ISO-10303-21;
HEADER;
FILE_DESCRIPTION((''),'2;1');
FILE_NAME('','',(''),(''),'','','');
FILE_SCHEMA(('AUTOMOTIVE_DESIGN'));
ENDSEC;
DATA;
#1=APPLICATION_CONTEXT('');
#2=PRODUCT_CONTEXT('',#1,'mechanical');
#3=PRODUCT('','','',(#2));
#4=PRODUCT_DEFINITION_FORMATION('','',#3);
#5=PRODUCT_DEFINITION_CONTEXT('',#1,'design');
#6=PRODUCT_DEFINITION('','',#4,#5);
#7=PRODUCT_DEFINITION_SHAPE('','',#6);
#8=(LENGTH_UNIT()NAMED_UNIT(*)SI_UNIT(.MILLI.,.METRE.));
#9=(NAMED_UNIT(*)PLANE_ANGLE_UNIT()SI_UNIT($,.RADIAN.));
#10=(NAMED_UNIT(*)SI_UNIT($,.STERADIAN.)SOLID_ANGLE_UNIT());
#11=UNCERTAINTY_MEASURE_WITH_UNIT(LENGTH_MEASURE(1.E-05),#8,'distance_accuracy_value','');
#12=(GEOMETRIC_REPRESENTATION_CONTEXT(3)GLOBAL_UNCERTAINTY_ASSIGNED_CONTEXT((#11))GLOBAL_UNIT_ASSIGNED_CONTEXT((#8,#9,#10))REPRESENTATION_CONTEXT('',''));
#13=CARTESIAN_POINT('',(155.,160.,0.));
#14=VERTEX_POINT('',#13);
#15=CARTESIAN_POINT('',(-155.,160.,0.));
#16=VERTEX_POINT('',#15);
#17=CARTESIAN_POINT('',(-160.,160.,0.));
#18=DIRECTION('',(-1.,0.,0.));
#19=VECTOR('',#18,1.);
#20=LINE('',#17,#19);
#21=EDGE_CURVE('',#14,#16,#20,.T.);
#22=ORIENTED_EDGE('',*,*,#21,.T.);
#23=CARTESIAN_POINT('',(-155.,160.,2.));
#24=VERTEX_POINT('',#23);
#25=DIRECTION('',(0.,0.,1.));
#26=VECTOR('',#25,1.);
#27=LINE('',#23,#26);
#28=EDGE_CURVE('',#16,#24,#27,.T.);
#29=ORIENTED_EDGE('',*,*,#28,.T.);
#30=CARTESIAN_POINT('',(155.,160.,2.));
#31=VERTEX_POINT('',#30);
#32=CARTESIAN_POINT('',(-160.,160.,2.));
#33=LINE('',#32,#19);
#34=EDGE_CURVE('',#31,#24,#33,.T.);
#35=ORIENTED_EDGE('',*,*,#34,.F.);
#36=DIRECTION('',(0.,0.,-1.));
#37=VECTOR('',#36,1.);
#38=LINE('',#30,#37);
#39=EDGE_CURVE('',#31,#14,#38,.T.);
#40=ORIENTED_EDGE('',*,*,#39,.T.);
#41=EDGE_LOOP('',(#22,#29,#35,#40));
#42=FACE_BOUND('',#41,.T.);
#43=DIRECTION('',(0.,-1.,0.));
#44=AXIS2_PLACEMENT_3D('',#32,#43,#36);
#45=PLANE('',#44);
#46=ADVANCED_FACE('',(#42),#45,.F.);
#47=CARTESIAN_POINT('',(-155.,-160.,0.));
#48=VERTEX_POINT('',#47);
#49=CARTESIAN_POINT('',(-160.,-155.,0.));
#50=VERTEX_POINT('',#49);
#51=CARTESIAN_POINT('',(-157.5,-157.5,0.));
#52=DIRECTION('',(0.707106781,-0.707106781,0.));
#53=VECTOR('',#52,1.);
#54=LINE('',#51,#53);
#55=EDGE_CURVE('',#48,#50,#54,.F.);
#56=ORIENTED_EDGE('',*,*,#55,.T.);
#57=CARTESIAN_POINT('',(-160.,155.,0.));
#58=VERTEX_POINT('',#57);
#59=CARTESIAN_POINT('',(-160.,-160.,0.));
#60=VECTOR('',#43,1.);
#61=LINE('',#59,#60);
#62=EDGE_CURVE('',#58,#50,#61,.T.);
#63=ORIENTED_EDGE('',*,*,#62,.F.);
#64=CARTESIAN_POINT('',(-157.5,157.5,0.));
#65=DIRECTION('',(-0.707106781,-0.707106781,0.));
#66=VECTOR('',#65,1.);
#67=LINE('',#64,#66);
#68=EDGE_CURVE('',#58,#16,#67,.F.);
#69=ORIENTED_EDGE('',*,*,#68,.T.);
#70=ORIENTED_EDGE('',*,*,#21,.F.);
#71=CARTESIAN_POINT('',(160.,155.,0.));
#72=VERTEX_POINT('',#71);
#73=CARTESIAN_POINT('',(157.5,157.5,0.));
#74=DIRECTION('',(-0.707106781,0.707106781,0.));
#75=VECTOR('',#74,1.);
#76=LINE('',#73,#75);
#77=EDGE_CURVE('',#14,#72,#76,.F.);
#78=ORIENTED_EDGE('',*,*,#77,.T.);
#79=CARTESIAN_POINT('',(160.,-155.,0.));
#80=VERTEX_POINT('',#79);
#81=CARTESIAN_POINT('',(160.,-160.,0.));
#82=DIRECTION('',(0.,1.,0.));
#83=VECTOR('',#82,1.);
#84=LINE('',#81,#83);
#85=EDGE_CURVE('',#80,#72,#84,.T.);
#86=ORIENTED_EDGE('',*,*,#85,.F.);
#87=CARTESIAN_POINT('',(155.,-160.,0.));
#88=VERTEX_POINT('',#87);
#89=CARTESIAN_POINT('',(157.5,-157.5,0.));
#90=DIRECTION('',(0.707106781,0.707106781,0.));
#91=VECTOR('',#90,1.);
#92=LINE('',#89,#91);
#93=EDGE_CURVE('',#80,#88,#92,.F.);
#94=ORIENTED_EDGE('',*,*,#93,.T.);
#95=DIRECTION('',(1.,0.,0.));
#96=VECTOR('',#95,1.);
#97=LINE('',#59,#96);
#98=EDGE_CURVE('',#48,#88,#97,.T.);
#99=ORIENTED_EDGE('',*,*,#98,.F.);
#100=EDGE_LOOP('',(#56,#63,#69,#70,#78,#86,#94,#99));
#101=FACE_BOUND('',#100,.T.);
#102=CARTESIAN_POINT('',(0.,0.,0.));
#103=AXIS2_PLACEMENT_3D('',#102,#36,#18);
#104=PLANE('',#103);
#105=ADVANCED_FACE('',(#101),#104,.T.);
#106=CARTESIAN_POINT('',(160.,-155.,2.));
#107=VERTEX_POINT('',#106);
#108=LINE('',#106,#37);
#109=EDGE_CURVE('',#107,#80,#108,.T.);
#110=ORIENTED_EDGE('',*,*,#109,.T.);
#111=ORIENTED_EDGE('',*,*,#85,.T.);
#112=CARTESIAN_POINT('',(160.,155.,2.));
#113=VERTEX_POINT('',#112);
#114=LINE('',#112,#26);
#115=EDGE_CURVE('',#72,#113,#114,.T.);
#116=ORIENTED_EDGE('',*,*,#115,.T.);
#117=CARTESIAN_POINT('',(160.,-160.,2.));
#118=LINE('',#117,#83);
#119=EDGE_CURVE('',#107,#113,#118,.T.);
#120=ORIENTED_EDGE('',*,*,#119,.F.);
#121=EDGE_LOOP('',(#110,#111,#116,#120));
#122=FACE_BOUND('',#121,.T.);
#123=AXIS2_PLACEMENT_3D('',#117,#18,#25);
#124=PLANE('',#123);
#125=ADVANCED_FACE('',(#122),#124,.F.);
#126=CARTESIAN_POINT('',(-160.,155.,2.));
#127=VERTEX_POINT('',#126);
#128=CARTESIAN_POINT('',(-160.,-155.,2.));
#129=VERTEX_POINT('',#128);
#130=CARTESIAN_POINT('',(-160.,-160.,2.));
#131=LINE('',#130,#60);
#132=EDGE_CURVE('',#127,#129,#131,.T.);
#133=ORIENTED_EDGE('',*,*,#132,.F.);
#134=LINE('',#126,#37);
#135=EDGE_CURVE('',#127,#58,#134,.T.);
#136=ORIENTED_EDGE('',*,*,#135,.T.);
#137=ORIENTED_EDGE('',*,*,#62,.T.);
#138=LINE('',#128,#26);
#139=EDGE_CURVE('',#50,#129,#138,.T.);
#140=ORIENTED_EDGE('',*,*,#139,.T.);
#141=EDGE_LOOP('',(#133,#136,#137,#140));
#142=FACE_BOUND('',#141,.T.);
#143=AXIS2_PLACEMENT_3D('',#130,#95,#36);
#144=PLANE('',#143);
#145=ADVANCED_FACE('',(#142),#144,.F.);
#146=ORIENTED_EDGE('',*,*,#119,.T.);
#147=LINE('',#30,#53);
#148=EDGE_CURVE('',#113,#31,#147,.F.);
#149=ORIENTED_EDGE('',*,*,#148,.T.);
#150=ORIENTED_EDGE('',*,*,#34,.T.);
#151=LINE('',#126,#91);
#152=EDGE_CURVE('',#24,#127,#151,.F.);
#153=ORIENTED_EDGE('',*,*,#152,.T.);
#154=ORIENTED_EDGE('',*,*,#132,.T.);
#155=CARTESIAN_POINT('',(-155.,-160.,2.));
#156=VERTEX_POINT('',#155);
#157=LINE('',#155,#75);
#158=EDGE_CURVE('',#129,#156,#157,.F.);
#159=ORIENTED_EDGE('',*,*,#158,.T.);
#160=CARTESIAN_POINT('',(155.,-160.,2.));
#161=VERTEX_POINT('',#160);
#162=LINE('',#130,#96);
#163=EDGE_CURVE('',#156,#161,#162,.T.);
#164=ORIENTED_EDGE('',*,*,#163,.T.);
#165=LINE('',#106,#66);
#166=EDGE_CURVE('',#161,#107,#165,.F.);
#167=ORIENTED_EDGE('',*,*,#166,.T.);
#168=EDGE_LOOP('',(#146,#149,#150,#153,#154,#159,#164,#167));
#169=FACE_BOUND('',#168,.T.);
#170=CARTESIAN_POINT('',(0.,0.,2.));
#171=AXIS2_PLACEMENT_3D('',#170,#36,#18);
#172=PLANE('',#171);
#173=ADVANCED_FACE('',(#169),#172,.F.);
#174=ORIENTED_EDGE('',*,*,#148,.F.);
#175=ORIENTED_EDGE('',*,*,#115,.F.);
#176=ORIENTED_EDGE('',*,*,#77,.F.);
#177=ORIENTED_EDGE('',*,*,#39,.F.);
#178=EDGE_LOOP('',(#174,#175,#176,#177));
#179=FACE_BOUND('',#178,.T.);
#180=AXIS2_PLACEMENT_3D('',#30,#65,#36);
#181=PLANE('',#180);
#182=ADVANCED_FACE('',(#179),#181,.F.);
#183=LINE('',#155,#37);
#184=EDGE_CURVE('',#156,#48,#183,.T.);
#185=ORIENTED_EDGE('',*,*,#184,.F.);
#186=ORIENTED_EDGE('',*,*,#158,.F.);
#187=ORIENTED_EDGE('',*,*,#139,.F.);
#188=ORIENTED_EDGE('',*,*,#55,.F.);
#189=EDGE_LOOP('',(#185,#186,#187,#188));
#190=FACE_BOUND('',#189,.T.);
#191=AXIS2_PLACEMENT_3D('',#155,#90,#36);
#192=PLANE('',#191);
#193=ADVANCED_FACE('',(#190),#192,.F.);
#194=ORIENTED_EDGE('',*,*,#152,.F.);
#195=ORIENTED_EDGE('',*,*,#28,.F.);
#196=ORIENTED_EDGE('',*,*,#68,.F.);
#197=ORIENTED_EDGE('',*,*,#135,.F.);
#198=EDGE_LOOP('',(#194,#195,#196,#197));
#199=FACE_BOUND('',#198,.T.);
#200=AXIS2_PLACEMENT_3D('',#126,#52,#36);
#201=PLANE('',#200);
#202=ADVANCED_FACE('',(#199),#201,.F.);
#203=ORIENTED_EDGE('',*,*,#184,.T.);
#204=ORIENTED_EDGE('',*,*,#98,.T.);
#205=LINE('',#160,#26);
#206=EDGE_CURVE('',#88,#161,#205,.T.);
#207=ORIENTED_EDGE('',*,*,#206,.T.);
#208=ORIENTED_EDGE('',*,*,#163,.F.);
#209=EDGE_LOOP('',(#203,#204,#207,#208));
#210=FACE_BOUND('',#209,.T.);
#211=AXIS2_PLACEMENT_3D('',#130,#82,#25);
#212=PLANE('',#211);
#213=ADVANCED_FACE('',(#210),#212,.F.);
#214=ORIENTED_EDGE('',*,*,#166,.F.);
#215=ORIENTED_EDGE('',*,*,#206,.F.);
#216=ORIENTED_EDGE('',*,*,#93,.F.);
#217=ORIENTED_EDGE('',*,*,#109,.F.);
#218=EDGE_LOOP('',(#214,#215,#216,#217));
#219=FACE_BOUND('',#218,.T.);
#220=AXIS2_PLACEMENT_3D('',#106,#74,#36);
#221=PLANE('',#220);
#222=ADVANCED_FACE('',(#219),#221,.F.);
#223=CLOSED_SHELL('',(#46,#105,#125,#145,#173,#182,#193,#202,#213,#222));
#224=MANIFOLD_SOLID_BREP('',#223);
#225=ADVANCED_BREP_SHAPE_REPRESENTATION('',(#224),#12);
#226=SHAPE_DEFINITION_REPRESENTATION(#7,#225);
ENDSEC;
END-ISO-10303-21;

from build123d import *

# Parameters (mm, degrees)
SKETCH2_W           = 320
SKETCH2_H           = 320
BOSS_EXTRUDE1_DEPTH = 2
CHAMFER1_SIZE       = 5


with BuildPart() as part:
    # Sketch2 → Boss-Extrude1 (new body)
    with BuildSketch(Plane.XY):
        Rectangle(SKETCH2_W, SKETCH2_H)
    extrude(amount=BOSS_EXTRUDE1_DEPTH)

    # Chamfer1
    chamfer1_edges = [part.edges().sort_by_distance(p)[0] for p in [
        (160, -160, 1),
        (-160, -160, 1),
        (-160, 160, 1),
        (160, 160, 1),
    ]]
    chamfer(chamfer1_edges, length=CHAMFER1_SIZE)


solid = part.part
